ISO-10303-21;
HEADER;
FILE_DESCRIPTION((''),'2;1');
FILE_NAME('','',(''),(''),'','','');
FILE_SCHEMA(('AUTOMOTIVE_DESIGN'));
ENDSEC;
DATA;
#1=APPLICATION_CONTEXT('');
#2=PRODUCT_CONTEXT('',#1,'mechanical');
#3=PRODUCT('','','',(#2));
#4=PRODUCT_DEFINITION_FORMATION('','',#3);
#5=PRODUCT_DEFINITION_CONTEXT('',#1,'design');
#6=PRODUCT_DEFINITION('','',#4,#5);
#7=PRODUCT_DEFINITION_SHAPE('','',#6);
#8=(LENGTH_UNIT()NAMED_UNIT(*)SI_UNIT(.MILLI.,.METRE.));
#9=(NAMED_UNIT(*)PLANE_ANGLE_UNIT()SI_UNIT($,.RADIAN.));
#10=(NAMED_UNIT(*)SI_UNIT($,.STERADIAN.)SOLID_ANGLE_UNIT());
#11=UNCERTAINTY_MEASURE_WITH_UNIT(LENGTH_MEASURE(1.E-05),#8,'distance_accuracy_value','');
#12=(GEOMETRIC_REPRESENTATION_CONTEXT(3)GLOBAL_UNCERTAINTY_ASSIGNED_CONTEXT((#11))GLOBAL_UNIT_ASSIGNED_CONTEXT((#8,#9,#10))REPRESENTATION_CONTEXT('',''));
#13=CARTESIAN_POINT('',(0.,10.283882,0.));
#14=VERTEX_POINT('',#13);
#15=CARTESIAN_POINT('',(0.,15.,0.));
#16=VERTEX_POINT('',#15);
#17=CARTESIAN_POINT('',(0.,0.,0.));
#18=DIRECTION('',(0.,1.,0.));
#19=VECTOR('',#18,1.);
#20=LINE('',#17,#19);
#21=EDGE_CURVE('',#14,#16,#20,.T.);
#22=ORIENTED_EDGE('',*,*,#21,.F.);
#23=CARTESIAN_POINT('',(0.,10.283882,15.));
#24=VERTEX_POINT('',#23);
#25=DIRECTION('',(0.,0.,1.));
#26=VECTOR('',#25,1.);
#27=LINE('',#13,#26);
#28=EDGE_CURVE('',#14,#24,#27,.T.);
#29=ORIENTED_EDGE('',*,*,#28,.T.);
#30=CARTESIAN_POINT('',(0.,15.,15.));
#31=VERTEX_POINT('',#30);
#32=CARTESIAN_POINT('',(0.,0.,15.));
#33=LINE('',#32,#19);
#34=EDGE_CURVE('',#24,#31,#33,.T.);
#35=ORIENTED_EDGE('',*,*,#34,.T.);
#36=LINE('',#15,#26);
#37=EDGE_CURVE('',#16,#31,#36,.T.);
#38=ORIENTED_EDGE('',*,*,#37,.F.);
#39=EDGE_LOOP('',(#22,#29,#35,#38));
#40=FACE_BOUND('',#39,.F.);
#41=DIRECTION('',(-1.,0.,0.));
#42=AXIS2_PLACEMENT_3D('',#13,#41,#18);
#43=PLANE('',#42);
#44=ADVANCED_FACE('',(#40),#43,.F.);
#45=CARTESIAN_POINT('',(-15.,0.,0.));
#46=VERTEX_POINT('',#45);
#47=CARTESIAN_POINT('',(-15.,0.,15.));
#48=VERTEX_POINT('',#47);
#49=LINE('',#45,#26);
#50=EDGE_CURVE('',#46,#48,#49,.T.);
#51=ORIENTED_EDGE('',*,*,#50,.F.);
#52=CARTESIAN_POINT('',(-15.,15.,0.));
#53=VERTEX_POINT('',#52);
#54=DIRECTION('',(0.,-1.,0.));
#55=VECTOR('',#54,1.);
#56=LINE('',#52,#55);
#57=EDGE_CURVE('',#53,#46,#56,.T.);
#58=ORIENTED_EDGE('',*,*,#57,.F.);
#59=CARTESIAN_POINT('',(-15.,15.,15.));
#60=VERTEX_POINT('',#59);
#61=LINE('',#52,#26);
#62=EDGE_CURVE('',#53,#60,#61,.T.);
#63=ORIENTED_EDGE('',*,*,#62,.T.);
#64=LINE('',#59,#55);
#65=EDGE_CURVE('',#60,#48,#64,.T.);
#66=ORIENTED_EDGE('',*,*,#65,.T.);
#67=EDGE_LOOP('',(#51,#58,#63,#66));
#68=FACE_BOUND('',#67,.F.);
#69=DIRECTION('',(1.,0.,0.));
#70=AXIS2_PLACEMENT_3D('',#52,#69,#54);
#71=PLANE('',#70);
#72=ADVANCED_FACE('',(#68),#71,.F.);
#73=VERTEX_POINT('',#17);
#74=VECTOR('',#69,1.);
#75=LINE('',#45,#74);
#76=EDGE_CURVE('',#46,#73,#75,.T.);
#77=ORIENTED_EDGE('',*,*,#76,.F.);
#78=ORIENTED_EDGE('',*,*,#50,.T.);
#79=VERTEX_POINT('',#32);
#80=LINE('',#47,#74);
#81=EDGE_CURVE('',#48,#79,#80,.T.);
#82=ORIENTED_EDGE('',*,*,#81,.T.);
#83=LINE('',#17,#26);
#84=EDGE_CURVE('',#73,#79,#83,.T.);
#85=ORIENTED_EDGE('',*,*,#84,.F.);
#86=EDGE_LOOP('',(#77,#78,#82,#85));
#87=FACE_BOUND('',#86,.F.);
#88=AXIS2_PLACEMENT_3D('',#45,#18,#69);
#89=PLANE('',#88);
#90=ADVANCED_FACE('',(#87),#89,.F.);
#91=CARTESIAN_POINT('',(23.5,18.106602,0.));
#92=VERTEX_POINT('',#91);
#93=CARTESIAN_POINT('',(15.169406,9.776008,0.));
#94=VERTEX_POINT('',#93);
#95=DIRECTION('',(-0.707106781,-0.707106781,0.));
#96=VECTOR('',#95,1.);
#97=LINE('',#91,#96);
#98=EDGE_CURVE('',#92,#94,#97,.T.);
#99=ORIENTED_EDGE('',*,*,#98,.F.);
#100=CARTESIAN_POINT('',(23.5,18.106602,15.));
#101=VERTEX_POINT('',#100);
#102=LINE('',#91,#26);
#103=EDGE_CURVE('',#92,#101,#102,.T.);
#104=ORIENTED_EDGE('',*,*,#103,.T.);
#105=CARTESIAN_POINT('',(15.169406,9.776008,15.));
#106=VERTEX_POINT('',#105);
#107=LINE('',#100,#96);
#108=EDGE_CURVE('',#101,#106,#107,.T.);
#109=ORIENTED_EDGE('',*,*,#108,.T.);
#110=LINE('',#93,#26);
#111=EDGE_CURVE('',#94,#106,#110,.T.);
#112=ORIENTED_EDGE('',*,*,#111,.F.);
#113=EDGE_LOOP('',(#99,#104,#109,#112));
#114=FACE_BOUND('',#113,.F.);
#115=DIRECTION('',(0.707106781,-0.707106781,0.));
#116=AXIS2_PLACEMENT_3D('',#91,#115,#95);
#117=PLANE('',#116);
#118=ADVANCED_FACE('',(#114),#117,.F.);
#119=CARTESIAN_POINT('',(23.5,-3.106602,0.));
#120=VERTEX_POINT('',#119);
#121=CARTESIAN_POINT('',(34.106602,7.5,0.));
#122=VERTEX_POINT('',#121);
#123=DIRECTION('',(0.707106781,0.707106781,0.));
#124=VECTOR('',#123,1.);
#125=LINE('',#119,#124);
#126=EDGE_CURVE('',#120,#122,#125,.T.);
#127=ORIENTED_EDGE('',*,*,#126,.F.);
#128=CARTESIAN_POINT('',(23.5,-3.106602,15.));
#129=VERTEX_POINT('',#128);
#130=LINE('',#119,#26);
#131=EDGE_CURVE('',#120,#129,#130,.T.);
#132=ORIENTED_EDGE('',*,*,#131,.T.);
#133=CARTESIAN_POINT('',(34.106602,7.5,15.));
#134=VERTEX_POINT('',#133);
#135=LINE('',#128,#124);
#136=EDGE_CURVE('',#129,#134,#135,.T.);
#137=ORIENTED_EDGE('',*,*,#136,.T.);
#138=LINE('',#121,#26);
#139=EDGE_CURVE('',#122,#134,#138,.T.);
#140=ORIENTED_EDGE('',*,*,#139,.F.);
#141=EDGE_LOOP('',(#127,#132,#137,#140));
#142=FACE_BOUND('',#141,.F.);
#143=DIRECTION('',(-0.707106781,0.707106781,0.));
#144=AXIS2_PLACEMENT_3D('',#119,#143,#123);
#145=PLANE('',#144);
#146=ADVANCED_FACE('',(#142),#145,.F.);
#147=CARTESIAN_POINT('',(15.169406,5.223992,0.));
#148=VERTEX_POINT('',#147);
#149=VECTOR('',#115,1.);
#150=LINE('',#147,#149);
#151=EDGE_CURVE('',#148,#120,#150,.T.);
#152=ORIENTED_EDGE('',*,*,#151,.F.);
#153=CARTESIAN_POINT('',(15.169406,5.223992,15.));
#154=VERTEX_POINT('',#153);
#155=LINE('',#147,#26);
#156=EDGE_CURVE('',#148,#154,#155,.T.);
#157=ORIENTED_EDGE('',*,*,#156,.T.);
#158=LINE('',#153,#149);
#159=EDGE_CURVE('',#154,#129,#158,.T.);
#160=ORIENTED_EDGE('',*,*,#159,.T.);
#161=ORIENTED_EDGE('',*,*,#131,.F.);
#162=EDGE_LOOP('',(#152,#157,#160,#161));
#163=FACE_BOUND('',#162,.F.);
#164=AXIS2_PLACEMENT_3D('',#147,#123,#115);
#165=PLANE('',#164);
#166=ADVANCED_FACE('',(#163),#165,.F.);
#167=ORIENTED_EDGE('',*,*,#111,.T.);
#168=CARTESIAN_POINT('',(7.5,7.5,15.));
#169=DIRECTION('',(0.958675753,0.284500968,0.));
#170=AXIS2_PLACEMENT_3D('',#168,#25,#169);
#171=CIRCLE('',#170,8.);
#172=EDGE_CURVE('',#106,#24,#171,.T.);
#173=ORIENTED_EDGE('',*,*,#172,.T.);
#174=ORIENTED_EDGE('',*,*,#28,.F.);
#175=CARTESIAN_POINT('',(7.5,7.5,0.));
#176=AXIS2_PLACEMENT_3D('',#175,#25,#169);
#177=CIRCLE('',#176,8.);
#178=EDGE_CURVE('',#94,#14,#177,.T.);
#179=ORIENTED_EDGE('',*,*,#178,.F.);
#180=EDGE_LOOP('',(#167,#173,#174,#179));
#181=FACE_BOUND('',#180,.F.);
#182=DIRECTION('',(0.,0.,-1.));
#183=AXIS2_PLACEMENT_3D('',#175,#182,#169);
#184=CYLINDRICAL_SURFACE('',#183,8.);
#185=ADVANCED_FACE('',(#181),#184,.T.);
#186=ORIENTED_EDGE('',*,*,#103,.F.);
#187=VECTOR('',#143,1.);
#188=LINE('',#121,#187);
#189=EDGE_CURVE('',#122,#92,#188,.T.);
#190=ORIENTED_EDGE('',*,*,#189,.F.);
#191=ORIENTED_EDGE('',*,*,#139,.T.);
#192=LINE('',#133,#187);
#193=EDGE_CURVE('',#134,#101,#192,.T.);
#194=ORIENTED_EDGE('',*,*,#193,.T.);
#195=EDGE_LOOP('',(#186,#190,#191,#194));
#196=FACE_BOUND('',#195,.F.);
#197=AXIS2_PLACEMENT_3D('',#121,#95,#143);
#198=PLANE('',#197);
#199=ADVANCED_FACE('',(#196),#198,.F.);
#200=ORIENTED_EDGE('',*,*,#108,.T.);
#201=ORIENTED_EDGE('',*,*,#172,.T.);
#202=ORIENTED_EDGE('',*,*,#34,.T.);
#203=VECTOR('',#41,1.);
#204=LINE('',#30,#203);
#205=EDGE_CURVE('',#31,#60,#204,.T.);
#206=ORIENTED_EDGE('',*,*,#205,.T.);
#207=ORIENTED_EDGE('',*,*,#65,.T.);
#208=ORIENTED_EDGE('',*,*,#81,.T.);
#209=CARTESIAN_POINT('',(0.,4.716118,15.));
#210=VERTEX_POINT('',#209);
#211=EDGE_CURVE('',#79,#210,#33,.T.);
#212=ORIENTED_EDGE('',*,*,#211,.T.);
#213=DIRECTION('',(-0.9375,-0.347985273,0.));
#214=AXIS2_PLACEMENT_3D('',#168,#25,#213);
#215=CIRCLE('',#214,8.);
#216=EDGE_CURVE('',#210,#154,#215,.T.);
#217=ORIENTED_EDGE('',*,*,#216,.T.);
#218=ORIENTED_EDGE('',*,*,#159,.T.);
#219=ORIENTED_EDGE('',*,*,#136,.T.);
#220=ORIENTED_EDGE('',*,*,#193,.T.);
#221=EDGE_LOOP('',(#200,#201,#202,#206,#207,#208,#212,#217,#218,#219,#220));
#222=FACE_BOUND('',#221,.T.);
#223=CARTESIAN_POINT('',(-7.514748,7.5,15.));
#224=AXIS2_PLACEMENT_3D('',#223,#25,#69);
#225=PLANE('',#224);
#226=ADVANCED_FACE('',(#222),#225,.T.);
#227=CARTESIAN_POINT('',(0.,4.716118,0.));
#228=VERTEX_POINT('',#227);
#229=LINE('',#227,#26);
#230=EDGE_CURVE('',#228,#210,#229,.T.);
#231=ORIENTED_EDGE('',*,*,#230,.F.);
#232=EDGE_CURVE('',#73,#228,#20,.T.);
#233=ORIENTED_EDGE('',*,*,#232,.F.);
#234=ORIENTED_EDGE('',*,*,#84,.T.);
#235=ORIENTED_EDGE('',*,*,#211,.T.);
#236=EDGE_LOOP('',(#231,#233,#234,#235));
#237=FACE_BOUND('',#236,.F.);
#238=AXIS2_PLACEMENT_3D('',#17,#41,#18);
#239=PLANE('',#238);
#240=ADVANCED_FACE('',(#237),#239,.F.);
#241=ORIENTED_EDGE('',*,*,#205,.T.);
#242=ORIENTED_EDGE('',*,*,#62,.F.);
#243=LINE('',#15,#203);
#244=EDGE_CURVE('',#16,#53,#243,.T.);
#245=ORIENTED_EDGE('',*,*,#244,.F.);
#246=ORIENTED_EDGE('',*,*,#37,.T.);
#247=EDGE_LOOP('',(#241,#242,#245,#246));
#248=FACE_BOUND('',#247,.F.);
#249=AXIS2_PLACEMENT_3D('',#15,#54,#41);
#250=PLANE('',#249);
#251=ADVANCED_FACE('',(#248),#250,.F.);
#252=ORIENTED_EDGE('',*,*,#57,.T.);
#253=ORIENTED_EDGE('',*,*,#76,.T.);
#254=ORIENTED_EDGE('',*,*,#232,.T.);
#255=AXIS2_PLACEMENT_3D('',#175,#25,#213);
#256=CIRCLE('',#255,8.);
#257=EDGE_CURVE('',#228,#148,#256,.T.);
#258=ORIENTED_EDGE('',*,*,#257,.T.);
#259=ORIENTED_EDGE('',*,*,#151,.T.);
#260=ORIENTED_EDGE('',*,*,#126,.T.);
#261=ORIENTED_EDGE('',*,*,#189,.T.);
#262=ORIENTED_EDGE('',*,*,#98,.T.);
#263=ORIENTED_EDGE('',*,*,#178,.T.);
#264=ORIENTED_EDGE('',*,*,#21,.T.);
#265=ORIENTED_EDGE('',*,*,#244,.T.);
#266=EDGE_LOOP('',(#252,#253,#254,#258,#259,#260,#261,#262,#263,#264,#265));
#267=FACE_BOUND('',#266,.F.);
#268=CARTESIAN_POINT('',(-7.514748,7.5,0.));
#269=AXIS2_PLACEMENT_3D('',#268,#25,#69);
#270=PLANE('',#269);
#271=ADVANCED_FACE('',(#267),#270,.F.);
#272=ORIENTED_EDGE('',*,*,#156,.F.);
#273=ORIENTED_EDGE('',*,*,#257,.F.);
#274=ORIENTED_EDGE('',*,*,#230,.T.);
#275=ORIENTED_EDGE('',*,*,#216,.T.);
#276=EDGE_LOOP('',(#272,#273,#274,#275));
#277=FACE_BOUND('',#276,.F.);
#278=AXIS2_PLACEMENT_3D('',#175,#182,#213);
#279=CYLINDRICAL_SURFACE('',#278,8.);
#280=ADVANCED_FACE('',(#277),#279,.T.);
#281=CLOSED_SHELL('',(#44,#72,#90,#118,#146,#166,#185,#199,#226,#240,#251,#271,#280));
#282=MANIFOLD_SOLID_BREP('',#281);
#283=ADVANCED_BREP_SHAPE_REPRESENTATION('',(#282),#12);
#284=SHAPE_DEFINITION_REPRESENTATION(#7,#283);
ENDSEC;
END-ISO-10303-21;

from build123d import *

# Parameters (mm, degrees)
F1_DEPTH = 15


with BuildPart() as f1:
    # F0 (on Top) → F1 (new body)
    with BuildSketch(Plane.XY):
        with BuildLine():
            Line((-15, 15), (-15, 0))
            Line((-15, 0), (0, 0))
            Line((0, 0), (0, 4.7161178186))
            ThreePointArc((0, 4.7161178186), (-0.5, 7.5), (0, 10.2838821814))
            Line((0, 10.2838821814), (0, 15))
            Line((0, 15), (-15, 15))
        make_face()
        with BuildLine():
            ThreePointArc((0, 10.2838821814), (-0.5, 7.5), (0, 4.7161178186))
            Line((0, 4.7161178186), (0, 10.2838821814))
        make_face()
        with BuildLine():
            Line((0, 10.2838821814), (0, 4.7161178186))
            ThreePointArc((0, 4.7161178186), (7.767691449, -0.4955200762), (15.1694060239, 5.2239922583))
            Line((15.1694060239, 5.2239922583), (12.8933982822, 7.5))
            Line((12.8933982822, 7.5), (15.1694060239, 9.7760077417))
            ThreePointArc((15.1694060239, 9.7760077417), (7.767691449, 15.4955200762), (0, 10.2838821814))
        make_face()
        with BuildLine():
            Line((12.8933982822, 7.5), (15.1694060239, 5.2239922583))
            ThreePointArc((15.1694060239, 5.2239922583), (15.4169201143, 6.3500539559), (15.5, 7.5))
            ThreePointArc((15.5, 7.5), (15.4169201143, 8.6499460441), (15.1694060239, 9.7760077417))
            Line((15.1694060239, 9.7760077417), (12.8933982822, 7.5))
        make_face()
        with BuildLine():
            ThreePointArc((15.5, 7.5), (15.4169201143, 6.3500539559), (15.1694060239, 5.2239922583))
            Line((15.1694060239, 5.2239922583), (23.5, -3.1066017178))
            Line((23.5, -3.1066017178), (34.1066017178, 7.5))
            Line((34.1066017178, 7.5), (23.5, 18.1066017178))
            Line((23.5, 18.1066017178), (15.1694060239, 9.7760077417))
            ThreePointArc((15.1694060239, 9.7760077417), (15.4169201143, 8.6499460441), (15.5, 7.5))
        make_face()
    extrude(amount=F1_DEPTH)


solid = f1.part
